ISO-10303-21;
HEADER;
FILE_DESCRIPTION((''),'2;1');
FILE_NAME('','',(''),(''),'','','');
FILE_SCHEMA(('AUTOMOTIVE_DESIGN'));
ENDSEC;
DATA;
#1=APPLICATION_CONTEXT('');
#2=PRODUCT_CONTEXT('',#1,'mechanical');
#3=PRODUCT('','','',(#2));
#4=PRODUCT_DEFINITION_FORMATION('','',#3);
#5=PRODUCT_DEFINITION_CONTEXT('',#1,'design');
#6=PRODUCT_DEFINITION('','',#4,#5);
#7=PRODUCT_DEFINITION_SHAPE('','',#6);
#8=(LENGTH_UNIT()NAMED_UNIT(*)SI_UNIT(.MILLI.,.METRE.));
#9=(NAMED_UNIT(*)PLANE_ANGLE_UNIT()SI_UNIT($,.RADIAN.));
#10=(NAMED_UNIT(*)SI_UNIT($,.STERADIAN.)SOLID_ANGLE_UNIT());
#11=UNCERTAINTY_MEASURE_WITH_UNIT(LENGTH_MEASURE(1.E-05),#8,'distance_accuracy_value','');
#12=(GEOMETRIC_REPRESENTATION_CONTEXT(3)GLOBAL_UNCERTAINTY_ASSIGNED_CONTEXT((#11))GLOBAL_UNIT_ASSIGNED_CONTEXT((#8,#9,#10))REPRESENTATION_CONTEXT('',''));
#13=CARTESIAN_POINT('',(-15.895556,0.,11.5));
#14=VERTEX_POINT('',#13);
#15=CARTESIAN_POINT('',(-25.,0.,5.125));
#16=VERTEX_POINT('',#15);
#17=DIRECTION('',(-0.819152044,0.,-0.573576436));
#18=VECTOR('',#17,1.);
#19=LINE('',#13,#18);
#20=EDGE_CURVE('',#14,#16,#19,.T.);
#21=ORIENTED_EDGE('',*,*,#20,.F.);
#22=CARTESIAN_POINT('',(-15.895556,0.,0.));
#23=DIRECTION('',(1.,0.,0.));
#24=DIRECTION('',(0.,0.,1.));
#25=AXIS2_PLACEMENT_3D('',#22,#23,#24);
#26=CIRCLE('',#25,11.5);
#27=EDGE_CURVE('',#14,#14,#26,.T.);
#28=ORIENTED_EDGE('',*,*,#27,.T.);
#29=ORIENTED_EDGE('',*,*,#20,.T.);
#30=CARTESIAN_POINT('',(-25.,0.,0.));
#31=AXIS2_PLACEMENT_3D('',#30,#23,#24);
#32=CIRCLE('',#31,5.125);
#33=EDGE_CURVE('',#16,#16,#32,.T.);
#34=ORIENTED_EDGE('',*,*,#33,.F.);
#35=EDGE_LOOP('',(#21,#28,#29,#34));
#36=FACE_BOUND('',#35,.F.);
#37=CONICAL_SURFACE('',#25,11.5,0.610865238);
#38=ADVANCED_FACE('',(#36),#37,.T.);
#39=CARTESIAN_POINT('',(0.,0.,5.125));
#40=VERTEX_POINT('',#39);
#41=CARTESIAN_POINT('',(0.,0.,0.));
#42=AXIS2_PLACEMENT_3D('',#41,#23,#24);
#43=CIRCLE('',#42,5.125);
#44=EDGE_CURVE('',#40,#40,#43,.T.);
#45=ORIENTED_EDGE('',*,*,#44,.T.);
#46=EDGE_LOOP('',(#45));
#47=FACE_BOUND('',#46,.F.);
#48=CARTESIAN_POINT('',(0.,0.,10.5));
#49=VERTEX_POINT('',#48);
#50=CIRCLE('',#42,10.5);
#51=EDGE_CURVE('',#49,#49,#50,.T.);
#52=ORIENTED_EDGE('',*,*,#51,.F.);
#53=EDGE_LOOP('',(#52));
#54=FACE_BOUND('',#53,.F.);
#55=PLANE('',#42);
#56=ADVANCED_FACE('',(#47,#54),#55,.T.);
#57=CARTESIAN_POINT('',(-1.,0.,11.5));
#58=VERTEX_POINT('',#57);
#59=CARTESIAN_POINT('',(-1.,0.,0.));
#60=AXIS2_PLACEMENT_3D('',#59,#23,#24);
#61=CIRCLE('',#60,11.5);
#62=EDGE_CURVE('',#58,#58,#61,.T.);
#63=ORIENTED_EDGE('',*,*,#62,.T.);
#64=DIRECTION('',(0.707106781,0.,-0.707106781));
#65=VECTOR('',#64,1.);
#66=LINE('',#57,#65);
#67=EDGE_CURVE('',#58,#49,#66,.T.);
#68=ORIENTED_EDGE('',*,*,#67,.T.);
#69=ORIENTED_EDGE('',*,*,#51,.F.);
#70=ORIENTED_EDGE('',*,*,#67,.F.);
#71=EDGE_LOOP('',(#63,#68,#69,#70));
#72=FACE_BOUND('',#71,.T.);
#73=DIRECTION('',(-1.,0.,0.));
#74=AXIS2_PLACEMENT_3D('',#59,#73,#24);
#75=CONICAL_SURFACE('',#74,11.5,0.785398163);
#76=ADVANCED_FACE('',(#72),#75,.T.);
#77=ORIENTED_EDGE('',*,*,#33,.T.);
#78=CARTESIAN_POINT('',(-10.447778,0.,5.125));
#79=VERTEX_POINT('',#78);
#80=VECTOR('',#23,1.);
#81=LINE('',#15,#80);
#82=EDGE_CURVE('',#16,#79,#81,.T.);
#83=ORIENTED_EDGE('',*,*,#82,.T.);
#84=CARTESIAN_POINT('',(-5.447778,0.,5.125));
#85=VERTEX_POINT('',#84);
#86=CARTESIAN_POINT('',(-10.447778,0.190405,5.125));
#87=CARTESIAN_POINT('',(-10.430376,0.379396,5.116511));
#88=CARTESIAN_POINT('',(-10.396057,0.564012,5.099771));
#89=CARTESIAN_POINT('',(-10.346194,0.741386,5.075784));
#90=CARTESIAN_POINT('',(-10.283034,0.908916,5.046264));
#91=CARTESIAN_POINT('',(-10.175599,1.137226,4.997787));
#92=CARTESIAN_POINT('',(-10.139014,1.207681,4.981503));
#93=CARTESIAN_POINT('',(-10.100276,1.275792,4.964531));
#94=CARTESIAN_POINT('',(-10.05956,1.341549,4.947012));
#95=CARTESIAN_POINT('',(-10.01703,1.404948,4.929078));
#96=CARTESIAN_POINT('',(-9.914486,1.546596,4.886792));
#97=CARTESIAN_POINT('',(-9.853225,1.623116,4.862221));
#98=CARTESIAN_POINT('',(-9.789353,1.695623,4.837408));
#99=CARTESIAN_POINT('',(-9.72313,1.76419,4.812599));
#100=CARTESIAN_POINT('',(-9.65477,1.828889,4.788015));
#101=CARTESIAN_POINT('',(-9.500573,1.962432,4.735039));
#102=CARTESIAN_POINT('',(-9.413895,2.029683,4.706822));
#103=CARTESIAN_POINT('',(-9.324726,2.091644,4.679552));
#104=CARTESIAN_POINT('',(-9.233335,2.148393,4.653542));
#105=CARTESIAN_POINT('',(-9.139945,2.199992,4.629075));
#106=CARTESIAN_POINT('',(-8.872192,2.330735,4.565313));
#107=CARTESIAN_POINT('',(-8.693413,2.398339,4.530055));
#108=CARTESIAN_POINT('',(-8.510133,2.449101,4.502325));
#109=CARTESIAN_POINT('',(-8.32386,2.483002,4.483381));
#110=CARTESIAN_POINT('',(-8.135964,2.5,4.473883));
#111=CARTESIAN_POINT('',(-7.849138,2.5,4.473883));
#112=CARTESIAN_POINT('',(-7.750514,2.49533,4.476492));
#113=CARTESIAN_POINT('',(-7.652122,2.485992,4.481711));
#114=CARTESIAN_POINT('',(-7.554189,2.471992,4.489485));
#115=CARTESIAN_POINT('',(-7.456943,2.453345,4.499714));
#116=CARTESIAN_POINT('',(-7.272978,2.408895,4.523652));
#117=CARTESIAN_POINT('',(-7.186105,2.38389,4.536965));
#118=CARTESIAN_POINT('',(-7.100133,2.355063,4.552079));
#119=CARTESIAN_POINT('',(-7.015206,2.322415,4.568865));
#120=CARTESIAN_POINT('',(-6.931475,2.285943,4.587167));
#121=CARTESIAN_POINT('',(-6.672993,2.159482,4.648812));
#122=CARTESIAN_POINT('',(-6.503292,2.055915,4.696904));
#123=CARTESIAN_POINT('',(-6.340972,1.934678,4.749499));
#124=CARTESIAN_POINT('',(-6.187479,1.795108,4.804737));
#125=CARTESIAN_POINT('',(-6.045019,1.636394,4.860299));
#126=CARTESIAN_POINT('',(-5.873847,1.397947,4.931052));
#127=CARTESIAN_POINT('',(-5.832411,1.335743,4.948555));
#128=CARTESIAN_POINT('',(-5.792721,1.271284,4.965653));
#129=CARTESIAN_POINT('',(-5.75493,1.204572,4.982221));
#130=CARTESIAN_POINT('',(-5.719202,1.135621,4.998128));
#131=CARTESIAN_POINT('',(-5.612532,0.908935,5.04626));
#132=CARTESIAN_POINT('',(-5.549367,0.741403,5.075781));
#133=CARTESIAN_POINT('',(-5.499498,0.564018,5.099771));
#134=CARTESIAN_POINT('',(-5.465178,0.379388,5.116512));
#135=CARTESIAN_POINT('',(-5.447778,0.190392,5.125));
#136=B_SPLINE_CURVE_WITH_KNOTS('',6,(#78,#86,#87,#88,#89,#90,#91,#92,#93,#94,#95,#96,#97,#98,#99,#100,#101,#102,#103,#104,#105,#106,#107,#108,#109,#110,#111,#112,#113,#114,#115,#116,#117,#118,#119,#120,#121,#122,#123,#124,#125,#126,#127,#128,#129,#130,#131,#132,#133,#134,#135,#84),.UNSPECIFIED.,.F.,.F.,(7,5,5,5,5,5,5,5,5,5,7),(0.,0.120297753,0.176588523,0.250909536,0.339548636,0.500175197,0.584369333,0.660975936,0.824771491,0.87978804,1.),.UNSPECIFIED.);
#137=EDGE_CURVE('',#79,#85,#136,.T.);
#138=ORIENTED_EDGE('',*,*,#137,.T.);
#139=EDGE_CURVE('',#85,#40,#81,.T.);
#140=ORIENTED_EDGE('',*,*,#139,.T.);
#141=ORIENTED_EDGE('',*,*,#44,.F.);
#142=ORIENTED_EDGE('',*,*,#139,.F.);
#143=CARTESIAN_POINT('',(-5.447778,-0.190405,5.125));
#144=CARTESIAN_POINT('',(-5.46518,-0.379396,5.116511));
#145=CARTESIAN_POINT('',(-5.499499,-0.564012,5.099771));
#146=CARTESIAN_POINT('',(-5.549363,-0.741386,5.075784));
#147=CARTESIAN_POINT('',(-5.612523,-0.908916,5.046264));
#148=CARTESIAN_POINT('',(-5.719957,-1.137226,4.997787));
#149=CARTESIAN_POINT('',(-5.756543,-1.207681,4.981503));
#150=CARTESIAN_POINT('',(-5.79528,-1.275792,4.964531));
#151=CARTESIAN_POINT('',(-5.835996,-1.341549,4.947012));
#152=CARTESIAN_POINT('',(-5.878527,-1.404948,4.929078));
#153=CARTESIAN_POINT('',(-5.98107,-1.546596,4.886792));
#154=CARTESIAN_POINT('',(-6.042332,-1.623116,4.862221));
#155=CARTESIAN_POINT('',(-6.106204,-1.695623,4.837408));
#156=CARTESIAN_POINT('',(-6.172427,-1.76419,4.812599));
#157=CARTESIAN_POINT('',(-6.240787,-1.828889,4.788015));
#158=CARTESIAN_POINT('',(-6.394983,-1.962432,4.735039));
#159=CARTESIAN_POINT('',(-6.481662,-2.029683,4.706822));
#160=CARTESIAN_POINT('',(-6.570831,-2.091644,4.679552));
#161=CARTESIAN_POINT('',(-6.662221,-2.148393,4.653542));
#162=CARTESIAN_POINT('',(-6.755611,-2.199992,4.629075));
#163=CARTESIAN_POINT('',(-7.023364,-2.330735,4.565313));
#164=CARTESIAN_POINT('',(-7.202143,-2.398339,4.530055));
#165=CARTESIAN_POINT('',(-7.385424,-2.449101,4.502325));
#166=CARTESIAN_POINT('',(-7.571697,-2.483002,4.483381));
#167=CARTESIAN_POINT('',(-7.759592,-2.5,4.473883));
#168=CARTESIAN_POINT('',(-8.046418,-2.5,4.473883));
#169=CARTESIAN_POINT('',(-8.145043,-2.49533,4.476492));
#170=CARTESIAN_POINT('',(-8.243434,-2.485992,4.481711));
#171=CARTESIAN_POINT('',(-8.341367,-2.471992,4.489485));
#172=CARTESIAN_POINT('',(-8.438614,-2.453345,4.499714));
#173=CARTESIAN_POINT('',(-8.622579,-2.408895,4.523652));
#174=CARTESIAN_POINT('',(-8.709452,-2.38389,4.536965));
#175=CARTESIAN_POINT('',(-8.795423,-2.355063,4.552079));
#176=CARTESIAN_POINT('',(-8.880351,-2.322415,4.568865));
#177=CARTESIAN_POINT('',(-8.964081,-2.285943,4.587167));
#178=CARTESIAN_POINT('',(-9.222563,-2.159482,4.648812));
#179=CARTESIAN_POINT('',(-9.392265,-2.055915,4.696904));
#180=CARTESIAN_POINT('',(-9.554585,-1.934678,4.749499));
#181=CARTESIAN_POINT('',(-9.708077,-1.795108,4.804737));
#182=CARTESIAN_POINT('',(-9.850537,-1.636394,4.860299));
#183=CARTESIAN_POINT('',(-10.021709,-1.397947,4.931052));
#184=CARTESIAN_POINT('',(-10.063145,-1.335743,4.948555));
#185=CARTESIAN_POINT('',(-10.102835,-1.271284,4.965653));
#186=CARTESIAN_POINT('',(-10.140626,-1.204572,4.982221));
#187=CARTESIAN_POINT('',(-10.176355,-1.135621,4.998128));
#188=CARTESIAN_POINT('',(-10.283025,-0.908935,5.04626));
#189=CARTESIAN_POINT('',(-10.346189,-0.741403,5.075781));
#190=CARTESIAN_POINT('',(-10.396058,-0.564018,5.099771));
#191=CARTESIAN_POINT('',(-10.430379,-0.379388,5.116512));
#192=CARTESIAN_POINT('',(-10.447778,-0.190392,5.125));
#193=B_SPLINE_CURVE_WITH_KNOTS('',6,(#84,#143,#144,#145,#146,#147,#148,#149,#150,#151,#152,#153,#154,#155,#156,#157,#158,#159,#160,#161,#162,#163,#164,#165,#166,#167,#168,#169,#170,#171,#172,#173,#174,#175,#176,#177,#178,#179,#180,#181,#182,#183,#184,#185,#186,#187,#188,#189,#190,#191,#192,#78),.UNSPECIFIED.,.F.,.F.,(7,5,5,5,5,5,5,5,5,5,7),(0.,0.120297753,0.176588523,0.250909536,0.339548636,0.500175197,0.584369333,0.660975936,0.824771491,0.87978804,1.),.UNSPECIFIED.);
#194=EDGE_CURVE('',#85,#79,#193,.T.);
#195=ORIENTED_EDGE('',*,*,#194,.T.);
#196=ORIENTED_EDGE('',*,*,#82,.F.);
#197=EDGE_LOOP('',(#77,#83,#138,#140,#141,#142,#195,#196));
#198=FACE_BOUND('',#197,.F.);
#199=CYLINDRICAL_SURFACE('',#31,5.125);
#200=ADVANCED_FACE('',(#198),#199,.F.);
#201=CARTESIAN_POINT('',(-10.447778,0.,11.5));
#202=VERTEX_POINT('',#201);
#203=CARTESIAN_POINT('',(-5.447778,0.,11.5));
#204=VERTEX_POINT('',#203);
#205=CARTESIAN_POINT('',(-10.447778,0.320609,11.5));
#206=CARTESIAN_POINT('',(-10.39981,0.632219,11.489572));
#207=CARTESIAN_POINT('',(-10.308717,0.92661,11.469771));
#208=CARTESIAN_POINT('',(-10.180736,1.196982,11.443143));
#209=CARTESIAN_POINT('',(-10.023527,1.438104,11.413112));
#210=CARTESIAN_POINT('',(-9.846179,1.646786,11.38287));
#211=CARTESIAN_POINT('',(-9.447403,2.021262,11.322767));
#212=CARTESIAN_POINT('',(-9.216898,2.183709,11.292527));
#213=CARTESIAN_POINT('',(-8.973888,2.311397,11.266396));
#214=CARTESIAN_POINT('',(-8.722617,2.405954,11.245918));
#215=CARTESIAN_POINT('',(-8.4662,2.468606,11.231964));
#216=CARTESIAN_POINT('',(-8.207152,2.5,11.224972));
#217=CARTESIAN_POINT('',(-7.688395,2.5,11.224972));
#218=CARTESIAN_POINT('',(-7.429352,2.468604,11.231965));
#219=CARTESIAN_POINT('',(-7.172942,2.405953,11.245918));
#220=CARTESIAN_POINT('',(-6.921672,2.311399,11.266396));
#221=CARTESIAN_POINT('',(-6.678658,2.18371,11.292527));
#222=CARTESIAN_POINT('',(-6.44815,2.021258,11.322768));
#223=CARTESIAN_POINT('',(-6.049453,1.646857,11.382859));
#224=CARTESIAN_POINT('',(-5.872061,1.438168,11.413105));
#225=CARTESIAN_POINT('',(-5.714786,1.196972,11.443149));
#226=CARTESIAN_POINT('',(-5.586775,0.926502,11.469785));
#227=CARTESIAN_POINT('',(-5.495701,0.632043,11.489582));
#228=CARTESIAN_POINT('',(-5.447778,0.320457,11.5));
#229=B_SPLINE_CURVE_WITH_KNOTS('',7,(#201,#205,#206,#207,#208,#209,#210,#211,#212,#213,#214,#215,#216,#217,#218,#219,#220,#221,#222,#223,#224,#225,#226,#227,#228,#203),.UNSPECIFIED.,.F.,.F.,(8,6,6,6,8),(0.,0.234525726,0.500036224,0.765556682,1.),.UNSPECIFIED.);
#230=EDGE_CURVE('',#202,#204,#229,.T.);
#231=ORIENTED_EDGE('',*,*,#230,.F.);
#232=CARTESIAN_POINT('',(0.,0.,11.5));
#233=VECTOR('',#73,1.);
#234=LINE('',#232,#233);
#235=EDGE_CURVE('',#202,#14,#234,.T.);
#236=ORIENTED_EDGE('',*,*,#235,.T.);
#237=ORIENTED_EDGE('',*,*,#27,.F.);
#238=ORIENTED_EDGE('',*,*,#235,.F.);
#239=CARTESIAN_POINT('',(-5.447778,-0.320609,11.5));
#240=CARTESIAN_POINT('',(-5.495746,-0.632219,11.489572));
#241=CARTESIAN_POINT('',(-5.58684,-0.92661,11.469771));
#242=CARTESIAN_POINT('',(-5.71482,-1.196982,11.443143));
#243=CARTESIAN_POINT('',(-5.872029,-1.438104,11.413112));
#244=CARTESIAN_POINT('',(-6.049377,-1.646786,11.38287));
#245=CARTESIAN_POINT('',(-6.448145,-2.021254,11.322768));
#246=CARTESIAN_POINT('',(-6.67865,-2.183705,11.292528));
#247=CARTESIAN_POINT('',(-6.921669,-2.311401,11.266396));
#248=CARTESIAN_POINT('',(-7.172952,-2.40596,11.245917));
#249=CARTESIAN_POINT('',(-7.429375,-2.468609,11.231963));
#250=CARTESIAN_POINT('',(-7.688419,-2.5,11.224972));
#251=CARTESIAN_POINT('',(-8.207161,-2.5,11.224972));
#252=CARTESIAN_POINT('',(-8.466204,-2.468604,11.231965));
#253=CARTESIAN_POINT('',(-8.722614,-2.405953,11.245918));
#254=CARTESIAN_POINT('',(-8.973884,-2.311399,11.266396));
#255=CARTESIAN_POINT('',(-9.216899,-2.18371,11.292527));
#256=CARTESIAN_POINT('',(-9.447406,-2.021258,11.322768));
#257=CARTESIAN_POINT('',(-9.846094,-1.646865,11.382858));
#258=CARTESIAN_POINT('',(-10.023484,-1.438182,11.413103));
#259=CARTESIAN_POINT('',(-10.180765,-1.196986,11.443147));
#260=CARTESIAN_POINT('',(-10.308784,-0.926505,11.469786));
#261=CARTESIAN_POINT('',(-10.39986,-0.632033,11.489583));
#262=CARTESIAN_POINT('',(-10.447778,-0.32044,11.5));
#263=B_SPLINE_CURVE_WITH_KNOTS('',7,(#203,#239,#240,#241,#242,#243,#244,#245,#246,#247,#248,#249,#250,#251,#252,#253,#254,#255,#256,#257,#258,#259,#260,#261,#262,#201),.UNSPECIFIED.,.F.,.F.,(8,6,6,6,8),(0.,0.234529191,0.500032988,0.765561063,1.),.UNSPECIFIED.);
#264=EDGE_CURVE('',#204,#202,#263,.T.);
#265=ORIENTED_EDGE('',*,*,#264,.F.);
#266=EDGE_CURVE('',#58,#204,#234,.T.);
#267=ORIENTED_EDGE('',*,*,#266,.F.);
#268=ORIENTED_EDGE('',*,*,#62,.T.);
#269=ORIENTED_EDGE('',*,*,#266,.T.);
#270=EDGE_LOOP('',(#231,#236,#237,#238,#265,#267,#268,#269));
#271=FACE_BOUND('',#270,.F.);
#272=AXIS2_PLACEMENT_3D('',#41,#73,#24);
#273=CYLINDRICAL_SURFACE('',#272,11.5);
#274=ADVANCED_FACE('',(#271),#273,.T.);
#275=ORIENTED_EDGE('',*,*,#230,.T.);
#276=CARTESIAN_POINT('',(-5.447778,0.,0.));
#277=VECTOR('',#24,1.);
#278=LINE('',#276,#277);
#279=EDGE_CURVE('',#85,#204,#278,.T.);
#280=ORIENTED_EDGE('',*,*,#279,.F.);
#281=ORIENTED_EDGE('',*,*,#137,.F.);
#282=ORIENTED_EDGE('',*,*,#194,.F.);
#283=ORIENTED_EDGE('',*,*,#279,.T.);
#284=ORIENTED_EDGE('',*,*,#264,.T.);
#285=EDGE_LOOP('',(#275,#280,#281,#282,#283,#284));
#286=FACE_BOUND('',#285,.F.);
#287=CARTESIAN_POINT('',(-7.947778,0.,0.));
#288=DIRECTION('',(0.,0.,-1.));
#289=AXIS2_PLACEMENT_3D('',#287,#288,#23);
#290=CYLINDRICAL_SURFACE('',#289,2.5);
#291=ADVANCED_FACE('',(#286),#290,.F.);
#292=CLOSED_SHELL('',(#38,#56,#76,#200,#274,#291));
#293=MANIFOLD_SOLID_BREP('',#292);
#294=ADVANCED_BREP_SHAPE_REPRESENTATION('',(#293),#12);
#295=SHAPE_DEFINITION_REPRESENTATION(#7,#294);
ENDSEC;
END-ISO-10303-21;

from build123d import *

# Parameters (mm, degrees)
F3_D     = 5
F3_DEPTH = 11.501
F4_SIZE  = 1


with BuildPart() as f1:
    # F0 (on Front) → F1 (revolve)
    with BuildSketch(Plane.XZ):
        Polygon((-15.895556457, 11.5), (-25, 5.125), (0, 5.125), (0, 11.5), align=None)
    revolve(axis=Axis((-30.6950435042, 0, 0), (1, 0, 0)))

    # F3 (through all, one way)
    with BuildSketch(Plane(origin=(0, 0, 0), x_dir=(1, 0, 0), z_dir=(0, 0, -1))):
        with Locations((-7.9477782285, 0)):
            Circle(F3_D / 2)
    extrude(amount=-F3_DEPTH, mode=Mode.SUBTRACT)

    # F4
    f4_edges = [f1.edges().sort_by_distance(p)[0] for p in [
        (0, 0, -11.5),
    ]]
    chamfer(f4_edges, length=F4_SIZE)


solid = f1.part
